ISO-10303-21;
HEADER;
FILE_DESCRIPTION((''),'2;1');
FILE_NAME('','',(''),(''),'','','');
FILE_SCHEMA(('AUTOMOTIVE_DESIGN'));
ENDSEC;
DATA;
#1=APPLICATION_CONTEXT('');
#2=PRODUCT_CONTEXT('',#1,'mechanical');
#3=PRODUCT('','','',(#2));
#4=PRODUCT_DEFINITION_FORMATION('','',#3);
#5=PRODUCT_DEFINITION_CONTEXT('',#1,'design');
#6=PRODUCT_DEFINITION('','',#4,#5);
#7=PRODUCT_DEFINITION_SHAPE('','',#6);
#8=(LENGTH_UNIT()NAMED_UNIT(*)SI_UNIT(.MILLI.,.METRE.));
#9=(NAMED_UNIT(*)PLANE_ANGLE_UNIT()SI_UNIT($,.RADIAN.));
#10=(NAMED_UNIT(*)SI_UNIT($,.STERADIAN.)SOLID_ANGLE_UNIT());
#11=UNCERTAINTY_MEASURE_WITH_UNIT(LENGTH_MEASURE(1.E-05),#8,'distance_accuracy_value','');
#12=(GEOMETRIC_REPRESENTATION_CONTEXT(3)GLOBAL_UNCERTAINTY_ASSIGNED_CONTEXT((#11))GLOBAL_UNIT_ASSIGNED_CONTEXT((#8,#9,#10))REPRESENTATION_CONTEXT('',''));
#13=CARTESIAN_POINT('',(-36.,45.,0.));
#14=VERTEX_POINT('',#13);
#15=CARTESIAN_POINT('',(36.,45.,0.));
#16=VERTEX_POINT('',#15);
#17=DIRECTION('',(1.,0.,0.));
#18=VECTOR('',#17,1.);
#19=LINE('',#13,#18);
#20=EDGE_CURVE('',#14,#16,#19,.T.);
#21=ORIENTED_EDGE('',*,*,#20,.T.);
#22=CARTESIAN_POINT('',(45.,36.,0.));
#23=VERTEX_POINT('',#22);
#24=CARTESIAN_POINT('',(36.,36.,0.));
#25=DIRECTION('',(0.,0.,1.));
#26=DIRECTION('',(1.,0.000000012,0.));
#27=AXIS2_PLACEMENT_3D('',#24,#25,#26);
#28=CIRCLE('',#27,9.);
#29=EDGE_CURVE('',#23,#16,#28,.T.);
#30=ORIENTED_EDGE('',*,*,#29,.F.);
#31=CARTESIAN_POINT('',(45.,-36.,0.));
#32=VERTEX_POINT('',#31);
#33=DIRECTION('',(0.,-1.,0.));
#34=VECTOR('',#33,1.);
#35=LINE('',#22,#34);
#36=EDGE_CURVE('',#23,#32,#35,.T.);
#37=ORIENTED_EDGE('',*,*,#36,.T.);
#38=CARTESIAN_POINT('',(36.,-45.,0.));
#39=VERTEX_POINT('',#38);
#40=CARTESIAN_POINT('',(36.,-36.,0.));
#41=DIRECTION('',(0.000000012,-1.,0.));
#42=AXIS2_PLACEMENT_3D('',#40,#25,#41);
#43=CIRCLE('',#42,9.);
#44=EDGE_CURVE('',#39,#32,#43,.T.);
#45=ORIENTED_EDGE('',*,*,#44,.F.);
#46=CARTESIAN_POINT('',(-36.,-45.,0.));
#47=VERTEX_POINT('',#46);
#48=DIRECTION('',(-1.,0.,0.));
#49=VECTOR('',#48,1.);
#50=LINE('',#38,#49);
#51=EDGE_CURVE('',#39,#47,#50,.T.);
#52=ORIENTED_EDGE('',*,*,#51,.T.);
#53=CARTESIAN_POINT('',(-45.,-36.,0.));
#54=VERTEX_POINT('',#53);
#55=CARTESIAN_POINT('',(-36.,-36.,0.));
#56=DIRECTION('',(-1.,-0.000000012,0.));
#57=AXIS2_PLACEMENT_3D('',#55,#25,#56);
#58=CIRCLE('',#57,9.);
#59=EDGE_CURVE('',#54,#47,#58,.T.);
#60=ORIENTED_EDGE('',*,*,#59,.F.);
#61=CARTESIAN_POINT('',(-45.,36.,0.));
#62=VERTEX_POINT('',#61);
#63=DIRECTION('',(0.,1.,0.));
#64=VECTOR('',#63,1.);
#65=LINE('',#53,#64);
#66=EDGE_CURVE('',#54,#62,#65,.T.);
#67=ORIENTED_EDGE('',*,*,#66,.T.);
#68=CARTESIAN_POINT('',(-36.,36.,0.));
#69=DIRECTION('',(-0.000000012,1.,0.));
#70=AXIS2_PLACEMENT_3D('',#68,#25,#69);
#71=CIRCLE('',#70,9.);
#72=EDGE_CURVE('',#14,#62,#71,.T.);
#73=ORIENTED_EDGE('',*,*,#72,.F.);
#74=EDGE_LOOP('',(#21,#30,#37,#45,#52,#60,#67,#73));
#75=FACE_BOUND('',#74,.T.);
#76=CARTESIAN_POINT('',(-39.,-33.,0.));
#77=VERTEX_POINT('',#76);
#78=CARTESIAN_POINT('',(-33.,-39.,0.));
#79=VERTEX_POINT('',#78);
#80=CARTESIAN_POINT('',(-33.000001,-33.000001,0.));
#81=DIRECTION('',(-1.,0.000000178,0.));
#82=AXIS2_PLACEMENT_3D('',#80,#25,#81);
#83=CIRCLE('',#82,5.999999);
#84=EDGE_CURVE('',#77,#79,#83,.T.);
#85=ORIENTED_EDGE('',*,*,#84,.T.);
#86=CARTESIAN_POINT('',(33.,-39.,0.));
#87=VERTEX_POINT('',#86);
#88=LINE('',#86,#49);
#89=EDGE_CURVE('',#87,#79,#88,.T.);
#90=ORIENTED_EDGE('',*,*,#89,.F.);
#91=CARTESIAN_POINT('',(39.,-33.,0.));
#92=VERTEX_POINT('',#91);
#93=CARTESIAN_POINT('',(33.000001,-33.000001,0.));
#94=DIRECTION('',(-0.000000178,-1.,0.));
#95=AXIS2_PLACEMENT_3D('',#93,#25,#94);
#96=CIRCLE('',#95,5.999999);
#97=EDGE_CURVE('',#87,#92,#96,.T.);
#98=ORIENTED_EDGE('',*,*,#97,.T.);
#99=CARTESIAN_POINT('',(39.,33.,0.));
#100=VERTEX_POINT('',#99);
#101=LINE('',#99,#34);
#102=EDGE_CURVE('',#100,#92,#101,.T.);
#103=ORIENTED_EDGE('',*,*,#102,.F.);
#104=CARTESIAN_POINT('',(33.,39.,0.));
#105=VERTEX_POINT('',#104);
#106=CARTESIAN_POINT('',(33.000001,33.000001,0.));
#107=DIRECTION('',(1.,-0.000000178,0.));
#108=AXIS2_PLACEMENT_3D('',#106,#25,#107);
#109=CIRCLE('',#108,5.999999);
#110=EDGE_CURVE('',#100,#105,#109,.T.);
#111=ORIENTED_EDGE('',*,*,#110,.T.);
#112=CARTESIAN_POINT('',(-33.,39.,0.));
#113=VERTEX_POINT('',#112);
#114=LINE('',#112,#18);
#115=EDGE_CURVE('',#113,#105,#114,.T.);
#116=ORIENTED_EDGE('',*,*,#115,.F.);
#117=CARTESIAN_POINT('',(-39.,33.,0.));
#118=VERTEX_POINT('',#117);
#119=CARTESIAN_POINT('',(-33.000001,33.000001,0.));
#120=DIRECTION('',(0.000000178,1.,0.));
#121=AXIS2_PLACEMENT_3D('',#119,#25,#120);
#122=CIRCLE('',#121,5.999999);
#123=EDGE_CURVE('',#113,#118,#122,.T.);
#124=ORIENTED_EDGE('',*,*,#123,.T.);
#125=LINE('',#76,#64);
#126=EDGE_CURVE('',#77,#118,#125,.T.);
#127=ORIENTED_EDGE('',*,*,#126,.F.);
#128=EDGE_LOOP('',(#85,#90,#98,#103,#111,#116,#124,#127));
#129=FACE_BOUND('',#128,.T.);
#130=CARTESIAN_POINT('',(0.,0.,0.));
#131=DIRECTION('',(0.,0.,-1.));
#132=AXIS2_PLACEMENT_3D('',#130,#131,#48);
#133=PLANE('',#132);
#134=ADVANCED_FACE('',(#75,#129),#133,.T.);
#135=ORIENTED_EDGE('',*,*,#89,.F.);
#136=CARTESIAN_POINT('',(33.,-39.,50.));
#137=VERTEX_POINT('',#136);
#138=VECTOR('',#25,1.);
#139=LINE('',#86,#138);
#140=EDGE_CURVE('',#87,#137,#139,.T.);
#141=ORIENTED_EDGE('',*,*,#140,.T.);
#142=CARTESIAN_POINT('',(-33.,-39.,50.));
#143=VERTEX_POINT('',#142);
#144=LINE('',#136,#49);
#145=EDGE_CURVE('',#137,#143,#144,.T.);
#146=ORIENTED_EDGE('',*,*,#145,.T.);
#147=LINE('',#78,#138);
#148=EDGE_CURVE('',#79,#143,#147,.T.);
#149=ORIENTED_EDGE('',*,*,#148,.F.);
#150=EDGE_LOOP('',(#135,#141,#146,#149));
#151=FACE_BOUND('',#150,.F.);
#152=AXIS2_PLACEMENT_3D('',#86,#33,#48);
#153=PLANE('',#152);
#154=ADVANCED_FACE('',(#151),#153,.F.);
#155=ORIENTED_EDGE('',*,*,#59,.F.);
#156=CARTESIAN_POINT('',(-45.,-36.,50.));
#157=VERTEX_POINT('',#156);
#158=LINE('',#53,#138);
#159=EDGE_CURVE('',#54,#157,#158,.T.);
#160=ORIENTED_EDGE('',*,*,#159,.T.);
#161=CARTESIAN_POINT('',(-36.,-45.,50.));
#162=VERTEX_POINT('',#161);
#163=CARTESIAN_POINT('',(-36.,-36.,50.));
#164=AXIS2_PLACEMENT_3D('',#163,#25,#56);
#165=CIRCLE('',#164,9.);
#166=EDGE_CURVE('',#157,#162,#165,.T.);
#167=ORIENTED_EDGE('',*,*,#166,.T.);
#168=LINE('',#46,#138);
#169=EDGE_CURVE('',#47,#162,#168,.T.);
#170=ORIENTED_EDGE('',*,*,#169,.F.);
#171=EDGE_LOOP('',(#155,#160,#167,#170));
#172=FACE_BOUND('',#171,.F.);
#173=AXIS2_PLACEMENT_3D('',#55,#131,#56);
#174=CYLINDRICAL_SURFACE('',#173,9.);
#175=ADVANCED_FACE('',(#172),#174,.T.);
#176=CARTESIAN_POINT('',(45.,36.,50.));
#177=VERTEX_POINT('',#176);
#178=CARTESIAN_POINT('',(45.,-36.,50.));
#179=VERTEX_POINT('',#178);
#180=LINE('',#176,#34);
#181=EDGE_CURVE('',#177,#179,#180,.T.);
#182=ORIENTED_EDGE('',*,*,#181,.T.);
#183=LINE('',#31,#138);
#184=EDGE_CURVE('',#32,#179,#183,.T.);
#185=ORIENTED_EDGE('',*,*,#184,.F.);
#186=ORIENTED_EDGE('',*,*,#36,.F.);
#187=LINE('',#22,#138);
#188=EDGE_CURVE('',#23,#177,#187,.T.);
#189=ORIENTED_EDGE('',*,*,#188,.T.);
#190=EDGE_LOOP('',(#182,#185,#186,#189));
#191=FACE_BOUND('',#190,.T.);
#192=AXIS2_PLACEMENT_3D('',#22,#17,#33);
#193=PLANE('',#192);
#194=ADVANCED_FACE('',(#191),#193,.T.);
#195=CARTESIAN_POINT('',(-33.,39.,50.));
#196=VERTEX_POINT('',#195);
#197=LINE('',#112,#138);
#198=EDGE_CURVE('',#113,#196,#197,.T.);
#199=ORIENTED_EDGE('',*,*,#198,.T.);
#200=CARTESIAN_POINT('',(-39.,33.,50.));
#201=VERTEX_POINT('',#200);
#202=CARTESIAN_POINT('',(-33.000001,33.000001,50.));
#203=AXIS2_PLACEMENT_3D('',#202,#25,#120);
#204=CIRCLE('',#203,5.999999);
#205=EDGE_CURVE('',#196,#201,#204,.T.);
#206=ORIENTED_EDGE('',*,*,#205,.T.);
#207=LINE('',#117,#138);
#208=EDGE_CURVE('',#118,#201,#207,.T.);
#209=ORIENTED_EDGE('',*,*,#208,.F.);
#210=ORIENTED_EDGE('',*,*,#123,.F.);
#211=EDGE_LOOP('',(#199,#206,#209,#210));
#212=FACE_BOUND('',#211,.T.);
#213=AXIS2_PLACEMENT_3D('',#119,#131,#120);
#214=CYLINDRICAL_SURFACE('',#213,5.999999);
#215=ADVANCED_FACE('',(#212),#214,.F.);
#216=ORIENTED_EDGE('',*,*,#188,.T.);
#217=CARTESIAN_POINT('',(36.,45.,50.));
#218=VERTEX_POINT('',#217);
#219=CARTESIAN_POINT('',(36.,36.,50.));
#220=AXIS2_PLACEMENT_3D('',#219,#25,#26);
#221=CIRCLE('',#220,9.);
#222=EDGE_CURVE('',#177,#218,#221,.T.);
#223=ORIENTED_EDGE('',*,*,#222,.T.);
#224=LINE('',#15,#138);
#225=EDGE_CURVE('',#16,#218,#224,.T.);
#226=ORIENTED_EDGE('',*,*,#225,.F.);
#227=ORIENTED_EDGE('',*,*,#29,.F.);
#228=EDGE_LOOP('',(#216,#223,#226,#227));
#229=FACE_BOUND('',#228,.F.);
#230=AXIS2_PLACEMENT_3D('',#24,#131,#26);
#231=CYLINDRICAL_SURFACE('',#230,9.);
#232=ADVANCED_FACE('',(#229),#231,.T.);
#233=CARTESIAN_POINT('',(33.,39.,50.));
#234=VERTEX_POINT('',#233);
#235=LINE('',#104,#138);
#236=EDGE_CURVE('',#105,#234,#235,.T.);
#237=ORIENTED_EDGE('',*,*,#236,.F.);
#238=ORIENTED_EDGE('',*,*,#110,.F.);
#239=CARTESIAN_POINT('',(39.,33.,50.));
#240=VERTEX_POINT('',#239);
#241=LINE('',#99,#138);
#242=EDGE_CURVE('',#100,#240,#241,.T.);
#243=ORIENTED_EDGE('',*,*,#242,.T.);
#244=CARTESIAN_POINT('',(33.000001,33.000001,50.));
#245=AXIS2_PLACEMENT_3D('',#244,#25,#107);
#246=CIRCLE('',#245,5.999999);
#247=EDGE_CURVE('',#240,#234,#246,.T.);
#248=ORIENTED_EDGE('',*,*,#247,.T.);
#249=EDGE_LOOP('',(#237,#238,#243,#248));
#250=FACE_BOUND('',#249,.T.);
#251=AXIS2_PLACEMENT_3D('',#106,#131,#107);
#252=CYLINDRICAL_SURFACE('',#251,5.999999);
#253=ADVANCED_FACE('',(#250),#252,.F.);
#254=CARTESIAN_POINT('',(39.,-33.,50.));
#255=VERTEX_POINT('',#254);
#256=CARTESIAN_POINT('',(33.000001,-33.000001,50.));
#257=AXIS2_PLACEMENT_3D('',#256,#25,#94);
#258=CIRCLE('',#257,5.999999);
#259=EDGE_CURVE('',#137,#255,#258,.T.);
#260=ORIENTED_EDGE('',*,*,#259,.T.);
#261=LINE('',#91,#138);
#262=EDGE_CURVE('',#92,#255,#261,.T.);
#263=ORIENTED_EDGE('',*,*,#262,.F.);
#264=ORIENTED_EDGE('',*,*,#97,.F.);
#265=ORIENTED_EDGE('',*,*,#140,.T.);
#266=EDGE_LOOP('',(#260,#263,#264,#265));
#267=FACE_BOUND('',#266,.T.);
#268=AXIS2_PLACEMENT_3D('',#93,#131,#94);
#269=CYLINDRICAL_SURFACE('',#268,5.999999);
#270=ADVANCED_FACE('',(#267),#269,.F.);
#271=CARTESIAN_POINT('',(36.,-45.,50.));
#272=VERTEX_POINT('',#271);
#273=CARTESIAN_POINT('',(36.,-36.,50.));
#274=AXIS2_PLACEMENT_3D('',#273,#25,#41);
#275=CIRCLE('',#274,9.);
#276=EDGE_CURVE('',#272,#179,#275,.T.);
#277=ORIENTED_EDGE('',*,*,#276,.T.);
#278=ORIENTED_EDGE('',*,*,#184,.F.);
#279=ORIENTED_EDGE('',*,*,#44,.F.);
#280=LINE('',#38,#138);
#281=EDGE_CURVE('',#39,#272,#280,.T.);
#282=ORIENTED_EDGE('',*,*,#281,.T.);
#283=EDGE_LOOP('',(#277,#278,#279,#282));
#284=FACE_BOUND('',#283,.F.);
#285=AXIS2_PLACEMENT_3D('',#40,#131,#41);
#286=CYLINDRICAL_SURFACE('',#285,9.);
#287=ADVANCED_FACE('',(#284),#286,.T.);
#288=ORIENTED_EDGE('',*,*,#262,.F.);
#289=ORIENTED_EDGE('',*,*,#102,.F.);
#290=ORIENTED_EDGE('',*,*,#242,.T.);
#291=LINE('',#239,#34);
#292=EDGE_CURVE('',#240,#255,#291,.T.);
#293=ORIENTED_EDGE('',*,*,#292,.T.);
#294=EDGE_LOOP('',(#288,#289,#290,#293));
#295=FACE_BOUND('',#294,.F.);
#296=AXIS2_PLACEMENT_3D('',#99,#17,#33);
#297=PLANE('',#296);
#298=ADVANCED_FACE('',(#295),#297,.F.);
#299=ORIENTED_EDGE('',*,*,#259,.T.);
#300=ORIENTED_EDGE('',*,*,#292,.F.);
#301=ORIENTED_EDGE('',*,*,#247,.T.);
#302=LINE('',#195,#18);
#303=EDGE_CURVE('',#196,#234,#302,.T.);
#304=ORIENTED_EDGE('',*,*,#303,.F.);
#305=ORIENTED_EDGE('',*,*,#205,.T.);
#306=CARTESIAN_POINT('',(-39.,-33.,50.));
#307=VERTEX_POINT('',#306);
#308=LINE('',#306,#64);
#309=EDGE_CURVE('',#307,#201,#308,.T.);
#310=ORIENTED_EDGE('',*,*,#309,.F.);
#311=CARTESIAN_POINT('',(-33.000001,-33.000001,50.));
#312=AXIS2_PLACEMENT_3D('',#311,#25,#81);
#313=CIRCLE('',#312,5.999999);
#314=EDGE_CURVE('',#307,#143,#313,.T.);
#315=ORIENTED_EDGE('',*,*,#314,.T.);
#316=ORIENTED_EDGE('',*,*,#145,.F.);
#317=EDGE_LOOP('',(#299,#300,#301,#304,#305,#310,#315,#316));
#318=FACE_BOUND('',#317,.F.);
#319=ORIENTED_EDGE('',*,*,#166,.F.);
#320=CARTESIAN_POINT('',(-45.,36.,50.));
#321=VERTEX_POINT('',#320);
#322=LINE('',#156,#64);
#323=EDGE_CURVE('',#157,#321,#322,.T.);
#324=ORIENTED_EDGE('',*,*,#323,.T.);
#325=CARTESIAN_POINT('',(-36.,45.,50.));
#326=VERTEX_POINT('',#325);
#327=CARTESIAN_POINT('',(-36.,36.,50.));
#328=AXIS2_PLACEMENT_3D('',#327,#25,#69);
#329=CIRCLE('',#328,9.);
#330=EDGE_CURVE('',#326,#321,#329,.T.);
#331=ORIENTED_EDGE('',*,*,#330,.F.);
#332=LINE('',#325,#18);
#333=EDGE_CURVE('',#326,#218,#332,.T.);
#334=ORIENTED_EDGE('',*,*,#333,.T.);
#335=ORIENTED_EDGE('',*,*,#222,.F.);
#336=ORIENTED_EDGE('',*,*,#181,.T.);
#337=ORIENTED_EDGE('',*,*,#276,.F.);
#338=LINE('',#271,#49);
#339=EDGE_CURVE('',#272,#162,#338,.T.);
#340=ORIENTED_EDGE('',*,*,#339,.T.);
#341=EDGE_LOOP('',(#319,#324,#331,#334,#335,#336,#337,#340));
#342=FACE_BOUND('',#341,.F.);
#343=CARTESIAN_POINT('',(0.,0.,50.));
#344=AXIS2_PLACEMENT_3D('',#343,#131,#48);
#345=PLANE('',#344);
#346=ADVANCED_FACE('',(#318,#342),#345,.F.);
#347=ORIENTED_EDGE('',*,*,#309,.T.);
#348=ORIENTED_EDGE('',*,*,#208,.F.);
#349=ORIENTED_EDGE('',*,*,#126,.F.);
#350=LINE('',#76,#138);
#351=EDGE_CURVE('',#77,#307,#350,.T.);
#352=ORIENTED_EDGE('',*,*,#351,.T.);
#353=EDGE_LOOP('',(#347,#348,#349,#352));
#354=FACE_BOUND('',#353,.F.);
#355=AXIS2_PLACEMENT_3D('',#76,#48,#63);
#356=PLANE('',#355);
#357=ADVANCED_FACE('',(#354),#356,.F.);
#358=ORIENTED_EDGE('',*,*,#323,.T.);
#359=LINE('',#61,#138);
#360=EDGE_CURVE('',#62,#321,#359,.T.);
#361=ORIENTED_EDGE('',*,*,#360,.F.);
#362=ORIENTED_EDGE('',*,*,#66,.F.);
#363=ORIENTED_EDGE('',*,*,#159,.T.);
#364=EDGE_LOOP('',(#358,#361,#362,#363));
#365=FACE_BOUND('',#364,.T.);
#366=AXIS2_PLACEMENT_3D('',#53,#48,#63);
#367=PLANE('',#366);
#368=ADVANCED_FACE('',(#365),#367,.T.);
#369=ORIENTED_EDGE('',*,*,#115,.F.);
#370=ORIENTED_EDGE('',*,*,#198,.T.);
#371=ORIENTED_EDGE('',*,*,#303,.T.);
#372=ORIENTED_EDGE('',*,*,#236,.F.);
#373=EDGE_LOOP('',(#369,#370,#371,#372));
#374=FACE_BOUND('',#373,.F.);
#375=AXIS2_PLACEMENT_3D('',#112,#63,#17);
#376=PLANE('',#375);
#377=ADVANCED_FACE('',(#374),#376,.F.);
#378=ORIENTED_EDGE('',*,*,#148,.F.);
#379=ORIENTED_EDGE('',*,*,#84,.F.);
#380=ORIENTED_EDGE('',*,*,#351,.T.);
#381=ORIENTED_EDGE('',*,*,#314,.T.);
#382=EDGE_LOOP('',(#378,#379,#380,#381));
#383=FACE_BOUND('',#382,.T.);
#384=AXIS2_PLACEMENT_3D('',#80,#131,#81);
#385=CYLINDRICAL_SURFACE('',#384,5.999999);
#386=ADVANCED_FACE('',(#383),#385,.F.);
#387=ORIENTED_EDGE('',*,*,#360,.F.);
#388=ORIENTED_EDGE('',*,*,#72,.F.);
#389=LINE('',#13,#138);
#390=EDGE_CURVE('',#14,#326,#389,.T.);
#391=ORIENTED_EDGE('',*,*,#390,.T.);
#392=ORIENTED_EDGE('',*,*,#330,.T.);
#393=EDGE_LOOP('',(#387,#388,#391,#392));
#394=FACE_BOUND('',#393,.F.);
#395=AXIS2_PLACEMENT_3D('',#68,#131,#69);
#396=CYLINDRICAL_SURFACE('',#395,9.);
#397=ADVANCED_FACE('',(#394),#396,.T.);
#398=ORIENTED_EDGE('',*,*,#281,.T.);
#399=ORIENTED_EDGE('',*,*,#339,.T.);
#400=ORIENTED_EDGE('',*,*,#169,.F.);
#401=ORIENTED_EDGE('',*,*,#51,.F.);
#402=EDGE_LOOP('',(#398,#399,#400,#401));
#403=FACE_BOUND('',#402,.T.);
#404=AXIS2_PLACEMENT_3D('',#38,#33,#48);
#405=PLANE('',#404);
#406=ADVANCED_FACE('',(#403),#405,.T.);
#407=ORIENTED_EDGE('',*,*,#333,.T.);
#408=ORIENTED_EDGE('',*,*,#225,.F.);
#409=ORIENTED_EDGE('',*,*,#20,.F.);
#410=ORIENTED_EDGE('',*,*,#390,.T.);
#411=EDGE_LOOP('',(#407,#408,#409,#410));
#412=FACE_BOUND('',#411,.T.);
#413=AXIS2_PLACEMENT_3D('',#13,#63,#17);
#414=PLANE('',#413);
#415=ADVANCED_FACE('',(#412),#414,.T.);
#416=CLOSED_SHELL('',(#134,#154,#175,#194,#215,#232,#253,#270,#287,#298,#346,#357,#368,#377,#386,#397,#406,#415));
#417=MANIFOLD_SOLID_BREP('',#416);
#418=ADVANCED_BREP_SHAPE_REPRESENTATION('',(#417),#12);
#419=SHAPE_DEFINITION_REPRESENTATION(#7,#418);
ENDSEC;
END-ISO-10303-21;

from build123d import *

# Parameters (mm, degrees)
EXTRUDE_DEPTH = 50


with BuildPart() as part:
    # Sketch → Extrude (new body)
    with BuildSketch(Plane.XY):
        with BuildLine():
            Line((-36, 45), (36, 45))
            ThreePointArc((45, 36), (42.363961, 42.363961), (36, 45))
            Line((45, 36), (45, -36))
            ThreePointArc((36, -45), (42.363961, -42.363961), (45, -36))
            Line((36, -45), (-36, -45))
            ThreePointArc((-45, -36), (-42.363961, -42.363961), (-36, -45))
            Line((-45, -36), (-45, 36))
            ThreePointArc((-36, 45), (-42.363961, 42.363961), (-45, 36))
        make_face()
        with BuildLine():
            Line((-33, 39), (33, 39))
            ThreePointArc((39, 33), (37.242641, 37.242641), (33, 39))
            Line((39, 33), (39, -33))
            ThreePointArc((33, -39), (37.242641, -37.242641), (39, -33))
            Line((33, -39), (-33, -39))
            ThreePointArc((-39, -33), (-37.242641, -37.242641), (-33, -39))
            Line((-39, -33), (-39, 33))
            ThreePointArc((-33, 39), (-37.242641, 37.242641), (-39, 33))
        make_face(mode=Mode.SUBTRACT)
    extrude(amount=EXTRUDE_DEPTH)


solid = part.part
